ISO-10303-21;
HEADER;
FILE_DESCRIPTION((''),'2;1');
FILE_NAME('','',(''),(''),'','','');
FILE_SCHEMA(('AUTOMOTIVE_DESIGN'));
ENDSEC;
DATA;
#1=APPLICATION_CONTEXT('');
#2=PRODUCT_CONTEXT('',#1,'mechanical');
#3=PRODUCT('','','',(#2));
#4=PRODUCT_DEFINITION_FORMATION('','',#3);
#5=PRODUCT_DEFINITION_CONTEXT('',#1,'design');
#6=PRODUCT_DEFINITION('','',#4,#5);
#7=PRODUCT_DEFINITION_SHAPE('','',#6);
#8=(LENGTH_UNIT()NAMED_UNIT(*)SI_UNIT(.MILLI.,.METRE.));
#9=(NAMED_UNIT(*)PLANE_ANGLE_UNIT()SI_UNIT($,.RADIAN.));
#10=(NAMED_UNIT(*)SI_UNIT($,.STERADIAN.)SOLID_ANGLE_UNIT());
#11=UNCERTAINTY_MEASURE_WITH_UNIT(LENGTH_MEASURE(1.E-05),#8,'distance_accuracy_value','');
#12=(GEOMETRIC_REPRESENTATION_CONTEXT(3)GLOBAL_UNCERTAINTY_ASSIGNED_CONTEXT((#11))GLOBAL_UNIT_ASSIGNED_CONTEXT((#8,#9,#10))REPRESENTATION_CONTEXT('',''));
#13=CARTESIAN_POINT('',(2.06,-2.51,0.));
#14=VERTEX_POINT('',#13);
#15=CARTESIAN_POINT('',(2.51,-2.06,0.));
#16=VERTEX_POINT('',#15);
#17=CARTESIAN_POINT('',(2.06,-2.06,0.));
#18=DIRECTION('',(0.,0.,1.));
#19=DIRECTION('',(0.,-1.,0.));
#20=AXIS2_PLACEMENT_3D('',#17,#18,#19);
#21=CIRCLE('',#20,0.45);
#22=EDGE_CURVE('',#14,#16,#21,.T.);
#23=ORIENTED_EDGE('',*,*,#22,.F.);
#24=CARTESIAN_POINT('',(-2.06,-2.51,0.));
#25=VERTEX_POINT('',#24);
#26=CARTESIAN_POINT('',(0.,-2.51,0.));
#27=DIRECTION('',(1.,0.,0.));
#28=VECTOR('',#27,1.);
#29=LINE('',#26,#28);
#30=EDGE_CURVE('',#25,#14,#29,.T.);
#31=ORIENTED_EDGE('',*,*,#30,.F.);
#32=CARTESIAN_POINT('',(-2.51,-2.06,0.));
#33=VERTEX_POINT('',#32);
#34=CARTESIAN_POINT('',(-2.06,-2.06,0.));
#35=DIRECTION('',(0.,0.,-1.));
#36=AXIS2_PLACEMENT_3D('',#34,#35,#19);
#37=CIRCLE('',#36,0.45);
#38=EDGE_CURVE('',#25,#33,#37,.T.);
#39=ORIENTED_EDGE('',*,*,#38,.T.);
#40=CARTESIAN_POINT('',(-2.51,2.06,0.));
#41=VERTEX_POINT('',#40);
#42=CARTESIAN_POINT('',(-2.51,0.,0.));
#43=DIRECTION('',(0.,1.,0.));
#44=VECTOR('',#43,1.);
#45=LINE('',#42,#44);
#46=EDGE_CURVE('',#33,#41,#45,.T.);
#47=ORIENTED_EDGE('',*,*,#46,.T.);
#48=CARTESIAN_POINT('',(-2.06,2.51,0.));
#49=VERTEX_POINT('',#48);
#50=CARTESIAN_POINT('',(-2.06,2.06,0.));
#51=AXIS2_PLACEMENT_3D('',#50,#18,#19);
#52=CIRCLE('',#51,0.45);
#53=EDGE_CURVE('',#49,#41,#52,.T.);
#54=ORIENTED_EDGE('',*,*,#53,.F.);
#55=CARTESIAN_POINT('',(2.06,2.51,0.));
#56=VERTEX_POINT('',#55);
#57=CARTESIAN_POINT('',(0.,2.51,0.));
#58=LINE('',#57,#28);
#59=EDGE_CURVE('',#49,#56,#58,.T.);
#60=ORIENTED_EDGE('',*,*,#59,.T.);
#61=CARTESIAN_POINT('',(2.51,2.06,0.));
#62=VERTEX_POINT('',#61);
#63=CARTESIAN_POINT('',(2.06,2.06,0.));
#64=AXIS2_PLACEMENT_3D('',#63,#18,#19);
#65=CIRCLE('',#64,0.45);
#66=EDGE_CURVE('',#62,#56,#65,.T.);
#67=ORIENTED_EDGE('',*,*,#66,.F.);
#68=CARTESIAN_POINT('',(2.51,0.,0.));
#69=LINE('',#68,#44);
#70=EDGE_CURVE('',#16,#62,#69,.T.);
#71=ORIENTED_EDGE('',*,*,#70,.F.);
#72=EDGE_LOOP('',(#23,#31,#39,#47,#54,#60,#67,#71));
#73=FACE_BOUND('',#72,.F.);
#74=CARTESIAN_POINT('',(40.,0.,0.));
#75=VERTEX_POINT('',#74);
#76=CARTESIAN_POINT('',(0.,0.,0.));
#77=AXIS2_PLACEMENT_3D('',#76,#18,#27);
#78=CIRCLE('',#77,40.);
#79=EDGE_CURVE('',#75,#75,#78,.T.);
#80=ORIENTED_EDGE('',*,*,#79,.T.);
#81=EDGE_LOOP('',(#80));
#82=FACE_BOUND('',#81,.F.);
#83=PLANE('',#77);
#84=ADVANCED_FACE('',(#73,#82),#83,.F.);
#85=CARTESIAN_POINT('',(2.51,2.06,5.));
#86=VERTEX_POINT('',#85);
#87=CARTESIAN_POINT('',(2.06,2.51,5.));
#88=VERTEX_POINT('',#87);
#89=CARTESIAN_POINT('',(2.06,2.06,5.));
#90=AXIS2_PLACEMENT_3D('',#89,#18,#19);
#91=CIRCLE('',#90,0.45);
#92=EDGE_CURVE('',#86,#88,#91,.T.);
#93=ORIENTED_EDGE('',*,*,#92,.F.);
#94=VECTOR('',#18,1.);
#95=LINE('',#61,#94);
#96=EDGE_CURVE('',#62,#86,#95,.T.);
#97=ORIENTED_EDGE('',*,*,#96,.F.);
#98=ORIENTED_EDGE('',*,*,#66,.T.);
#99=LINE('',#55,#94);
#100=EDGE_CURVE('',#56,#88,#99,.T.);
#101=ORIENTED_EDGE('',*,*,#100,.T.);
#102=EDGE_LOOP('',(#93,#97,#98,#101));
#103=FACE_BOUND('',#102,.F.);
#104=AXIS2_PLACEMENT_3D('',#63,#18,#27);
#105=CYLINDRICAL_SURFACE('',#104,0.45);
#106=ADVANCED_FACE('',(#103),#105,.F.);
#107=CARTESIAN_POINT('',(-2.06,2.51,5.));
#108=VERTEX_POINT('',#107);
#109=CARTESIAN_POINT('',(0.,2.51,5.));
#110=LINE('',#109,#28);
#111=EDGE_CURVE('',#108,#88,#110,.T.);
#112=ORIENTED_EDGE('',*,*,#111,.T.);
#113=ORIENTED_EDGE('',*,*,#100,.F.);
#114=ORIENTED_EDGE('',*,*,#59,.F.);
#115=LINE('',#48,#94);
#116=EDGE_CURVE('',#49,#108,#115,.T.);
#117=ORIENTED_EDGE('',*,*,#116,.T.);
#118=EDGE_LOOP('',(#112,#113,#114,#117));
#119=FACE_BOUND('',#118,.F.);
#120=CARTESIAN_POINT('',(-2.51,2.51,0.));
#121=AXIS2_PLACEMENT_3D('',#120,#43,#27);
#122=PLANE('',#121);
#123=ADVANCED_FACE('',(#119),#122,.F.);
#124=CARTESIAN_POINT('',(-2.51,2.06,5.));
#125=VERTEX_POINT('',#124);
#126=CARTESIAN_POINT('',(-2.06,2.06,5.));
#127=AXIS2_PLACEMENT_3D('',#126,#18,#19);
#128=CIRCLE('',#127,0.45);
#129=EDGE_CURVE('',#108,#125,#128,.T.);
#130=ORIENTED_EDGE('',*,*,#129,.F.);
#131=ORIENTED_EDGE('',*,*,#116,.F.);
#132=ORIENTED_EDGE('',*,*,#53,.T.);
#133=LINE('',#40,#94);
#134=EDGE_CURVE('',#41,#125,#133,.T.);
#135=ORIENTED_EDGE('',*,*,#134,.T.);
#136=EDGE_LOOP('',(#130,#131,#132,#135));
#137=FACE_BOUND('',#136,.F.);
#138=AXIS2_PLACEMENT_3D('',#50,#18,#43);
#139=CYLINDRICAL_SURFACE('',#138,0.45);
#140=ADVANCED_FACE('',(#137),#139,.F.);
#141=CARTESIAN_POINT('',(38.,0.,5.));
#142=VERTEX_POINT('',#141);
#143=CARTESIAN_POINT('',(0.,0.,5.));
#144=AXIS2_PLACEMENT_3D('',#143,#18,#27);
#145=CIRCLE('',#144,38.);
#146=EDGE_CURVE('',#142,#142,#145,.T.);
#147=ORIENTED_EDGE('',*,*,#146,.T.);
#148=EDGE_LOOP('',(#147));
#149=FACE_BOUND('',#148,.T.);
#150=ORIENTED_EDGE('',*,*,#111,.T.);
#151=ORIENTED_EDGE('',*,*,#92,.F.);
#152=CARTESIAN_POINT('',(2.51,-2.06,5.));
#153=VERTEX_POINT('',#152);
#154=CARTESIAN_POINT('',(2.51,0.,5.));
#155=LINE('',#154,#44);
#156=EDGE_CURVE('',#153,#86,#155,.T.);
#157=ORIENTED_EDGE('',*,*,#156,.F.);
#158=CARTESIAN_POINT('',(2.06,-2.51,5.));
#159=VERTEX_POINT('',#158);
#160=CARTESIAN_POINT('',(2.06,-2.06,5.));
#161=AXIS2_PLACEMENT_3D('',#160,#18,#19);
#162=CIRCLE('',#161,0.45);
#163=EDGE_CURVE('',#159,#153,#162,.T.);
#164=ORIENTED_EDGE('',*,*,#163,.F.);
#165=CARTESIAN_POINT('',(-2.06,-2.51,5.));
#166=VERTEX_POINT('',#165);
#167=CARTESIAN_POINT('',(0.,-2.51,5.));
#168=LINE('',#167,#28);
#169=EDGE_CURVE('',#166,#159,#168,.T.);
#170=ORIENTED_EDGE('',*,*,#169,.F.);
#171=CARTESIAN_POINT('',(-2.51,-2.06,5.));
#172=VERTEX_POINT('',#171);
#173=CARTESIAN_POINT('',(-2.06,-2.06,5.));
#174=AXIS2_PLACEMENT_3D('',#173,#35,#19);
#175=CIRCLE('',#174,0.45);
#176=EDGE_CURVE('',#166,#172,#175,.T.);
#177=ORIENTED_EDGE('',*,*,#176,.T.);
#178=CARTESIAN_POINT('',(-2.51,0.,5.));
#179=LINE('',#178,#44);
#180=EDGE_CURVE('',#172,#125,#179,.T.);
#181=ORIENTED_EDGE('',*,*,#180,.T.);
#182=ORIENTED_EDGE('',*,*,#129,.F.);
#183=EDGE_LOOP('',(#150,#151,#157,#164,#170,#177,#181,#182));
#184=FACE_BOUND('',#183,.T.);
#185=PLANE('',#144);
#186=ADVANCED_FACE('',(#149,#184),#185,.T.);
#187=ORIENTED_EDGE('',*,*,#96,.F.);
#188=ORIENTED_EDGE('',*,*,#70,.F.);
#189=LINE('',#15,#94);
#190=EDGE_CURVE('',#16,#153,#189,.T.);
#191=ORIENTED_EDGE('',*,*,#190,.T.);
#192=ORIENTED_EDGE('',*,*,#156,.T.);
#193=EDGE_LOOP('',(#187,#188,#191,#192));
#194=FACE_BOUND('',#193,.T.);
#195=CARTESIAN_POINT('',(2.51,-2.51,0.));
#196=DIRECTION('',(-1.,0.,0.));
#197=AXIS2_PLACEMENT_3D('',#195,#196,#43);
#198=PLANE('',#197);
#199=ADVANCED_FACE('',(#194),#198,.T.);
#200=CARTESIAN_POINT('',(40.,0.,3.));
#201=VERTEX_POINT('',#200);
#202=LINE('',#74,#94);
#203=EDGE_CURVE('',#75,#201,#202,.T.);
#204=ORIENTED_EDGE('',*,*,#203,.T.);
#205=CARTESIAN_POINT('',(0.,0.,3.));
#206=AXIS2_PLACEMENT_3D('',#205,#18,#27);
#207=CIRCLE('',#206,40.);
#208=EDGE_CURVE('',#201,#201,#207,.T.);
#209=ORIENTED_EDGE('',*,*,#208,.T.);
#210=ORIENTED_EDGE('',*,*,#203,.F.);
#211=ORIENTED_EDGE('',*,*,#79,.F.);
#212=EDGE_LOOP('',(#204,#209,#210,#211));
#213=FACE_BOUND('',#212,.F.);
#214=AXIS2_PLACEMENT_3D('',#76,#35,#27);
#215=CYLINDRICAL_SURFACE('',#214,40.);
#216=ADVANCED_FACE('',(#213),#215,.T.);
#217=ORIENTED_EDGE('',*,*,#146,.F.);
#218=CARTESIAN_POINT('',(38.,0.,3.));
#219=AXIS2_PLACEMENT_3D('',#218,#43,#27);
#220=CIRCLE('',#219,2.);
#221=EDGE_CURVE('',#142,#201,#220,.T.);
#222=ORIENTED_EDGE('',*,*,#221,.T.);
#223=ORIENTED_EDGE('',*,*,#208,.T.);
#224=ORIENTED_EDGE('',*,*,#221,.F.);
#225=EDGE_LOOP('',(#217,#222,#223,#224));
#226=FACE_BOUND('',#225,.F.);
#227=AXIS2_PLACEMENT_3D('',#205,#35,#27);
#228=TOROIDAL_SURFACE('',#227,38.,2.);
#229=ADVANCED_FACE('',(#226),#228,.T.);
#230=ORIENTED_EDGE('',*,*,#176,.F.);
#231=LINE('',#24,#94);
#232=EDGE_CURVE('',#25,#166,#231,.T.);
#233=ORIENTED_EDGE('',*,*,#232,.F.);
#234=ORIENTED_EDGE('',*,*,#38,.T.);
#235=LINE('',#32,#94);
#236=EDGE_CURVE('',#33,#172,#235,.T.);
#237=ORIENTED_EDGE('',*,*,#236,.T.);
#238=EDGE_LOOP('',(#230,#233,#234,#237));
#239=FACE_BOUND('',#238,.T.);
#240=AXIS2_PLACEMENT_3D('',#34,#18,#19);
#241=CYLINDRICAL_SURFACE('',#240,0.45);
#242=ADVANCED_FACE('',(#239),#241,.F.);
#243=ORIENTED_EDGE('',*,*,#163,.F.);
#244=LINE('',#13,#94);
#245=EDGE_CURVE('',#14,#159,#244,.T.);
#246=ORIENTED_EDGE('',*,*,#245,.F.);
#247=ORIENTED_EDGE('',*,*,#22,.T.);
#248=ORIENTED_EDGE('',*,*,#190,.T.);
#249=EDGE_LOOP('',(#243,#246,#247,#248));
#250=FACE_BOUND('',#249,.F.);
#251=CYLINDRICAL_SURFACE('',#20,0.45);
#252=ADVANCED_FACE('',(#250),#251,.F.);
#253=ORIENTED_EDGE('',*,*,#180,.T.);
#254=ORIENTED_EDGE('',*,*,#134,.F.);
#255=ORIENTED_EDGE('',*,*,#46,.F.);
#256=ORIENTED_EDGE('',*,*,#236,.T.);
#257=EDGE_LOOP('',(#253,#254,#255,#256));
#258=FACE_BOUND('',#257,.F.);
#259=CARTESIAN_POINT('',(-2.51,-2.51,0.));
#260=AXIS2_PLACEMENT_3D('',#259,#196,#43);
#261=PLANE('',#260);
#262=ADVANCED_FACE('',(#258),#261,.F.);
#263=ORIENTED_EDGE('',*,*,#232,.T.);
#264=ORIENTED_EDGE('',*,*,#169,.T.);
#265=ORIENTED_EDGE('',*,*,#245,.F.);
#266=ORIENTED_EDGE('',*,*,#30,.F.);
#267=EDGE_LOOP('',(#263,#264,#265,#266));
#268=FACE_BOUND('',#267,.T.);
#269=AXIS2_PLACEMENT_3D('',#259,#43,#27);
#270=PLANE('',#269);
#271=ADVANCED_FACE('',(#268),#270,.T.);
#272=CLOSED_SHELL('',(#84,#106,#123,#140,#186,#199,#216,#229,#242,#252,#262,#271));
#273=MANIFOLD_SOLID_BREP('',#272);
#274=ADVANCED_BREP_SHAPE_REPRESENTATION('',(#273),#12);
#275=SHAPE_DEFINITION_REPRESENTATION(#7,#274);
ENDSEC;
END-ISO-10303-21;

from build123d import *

# Parameters (mm, degrees)
F0_R     = 40
F0_W     = 5.02
F0_H     = 5.02
F1_DEPTH = 5
F2_R     = 0.45
F3_R     = 2


with BuildPart() as f1:
    # F0 (on Top) → F1 (new body)
    with BuildSketch(Plane.XY):
        Circle(F0_R)
        Rectangle(F0_W, F0_H, mode=Mode.SUBTRACT)
    extrude(amount=F1_DEPTH)

    # F2
    f2_edges = [f1.edges().sort_by_distance(p)[0] for p in [
        (-2.51, 2.51, 2.5),
        (-2.51, -2.51, 2.5),
        (2.51, -2.51, 2.5),
        (2.51, 2.51, 2.5),
    ]]
    fillet(f2_edges, radius=F2_R)

    # F3
    f3_edges = [f1.edges().sort_by_distance(p)[0] for p in [
        (-40, 0, 5),
    ]]
    fillet(f3_edges, radius=F3_R)


solid = f1.part
